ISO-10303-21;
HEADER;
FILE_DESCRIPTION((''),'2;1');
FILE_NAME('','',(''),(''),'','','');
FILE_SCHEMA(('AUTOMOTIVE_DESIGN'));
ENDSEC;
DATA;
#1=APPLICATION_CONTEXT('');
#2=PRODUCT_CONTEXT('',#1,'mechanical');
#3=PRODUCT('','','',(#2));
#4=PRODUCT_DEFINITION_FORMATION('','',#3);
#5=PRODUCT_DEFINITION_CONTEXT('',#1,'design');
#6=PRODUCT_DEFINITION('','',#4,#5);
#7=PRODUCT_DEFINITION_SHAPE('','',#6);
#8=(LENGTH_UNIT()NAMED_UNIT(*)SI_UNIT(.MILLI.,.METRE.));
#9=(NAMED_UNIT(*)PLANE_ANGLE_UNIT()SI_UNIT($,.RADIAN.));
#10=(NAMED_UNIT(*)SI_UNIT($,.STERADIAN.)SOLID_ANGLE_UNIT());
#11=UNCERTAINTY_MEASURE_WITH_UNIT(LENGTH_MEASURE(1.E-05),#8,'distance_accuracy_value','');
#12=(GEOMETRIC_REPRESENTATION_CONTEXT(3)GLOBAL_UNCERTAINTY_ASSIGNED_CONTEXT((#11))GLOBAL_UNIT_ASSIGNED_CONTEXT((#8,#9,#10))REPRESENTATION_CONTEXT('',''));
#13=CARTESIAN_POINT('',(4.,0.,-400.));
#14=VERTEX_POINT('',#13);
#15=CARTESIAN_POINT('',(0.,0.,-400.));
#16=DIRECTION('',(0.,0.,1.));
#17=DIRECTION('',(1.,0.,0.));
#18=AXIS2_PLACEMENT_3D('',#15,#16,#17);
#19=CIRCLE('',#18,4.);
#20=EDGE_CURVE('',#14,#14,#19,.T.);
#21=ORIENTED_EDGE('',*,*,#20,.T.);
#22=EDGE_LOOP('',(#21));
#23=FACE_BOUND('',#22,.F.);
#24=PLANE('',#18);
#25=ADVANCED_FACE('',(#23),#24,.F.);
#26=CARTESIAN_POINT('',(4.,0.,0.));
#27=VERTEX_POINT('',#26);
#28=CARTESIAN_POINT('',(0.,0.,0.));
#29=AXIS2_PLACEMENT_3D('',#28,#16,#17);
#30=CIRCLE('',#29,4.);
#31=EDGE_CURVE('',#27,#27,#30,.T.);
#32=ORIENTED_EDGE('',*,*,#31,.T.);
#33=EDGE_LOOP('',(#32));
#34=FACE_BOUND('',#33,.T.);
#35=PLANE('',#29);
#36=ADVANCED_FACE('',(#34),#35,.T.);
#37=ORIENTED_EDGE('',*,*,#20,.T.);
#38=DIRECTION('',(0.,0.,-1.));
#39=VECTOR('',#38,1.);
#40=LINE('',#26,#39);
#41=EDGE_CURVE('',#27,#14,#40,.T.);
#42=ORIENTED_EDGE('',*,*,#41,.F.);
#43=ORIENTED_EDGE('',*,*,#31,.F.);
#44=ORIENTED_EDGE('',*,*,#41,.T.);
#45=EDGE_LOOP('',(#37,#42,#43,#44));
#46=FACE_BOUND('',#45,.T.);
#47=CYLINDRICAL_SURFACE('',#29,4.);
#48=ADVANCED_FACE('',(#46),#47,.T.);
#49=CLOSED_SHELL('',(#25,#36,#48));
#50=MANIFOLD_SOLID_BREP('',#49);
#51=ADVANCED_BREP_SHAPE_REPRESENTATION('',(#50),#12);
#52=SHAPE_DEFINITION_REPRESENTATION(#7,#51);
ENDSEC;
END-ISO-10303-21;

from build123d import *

# Parameters (mm, degrees)
SKETCH1_R           = 4
BOSS_EXTRUDE1_DEPTH = 400


with BuildPart() as part:
    # Sketch1 → Boss-Extrude1 (new body)
    with BuildSketch(Plane.XY):
        Circle(SKETCH1_R)
    extrude(amount=-BOSS_EXTRUDE1_DEPTH)


solid = part.part
